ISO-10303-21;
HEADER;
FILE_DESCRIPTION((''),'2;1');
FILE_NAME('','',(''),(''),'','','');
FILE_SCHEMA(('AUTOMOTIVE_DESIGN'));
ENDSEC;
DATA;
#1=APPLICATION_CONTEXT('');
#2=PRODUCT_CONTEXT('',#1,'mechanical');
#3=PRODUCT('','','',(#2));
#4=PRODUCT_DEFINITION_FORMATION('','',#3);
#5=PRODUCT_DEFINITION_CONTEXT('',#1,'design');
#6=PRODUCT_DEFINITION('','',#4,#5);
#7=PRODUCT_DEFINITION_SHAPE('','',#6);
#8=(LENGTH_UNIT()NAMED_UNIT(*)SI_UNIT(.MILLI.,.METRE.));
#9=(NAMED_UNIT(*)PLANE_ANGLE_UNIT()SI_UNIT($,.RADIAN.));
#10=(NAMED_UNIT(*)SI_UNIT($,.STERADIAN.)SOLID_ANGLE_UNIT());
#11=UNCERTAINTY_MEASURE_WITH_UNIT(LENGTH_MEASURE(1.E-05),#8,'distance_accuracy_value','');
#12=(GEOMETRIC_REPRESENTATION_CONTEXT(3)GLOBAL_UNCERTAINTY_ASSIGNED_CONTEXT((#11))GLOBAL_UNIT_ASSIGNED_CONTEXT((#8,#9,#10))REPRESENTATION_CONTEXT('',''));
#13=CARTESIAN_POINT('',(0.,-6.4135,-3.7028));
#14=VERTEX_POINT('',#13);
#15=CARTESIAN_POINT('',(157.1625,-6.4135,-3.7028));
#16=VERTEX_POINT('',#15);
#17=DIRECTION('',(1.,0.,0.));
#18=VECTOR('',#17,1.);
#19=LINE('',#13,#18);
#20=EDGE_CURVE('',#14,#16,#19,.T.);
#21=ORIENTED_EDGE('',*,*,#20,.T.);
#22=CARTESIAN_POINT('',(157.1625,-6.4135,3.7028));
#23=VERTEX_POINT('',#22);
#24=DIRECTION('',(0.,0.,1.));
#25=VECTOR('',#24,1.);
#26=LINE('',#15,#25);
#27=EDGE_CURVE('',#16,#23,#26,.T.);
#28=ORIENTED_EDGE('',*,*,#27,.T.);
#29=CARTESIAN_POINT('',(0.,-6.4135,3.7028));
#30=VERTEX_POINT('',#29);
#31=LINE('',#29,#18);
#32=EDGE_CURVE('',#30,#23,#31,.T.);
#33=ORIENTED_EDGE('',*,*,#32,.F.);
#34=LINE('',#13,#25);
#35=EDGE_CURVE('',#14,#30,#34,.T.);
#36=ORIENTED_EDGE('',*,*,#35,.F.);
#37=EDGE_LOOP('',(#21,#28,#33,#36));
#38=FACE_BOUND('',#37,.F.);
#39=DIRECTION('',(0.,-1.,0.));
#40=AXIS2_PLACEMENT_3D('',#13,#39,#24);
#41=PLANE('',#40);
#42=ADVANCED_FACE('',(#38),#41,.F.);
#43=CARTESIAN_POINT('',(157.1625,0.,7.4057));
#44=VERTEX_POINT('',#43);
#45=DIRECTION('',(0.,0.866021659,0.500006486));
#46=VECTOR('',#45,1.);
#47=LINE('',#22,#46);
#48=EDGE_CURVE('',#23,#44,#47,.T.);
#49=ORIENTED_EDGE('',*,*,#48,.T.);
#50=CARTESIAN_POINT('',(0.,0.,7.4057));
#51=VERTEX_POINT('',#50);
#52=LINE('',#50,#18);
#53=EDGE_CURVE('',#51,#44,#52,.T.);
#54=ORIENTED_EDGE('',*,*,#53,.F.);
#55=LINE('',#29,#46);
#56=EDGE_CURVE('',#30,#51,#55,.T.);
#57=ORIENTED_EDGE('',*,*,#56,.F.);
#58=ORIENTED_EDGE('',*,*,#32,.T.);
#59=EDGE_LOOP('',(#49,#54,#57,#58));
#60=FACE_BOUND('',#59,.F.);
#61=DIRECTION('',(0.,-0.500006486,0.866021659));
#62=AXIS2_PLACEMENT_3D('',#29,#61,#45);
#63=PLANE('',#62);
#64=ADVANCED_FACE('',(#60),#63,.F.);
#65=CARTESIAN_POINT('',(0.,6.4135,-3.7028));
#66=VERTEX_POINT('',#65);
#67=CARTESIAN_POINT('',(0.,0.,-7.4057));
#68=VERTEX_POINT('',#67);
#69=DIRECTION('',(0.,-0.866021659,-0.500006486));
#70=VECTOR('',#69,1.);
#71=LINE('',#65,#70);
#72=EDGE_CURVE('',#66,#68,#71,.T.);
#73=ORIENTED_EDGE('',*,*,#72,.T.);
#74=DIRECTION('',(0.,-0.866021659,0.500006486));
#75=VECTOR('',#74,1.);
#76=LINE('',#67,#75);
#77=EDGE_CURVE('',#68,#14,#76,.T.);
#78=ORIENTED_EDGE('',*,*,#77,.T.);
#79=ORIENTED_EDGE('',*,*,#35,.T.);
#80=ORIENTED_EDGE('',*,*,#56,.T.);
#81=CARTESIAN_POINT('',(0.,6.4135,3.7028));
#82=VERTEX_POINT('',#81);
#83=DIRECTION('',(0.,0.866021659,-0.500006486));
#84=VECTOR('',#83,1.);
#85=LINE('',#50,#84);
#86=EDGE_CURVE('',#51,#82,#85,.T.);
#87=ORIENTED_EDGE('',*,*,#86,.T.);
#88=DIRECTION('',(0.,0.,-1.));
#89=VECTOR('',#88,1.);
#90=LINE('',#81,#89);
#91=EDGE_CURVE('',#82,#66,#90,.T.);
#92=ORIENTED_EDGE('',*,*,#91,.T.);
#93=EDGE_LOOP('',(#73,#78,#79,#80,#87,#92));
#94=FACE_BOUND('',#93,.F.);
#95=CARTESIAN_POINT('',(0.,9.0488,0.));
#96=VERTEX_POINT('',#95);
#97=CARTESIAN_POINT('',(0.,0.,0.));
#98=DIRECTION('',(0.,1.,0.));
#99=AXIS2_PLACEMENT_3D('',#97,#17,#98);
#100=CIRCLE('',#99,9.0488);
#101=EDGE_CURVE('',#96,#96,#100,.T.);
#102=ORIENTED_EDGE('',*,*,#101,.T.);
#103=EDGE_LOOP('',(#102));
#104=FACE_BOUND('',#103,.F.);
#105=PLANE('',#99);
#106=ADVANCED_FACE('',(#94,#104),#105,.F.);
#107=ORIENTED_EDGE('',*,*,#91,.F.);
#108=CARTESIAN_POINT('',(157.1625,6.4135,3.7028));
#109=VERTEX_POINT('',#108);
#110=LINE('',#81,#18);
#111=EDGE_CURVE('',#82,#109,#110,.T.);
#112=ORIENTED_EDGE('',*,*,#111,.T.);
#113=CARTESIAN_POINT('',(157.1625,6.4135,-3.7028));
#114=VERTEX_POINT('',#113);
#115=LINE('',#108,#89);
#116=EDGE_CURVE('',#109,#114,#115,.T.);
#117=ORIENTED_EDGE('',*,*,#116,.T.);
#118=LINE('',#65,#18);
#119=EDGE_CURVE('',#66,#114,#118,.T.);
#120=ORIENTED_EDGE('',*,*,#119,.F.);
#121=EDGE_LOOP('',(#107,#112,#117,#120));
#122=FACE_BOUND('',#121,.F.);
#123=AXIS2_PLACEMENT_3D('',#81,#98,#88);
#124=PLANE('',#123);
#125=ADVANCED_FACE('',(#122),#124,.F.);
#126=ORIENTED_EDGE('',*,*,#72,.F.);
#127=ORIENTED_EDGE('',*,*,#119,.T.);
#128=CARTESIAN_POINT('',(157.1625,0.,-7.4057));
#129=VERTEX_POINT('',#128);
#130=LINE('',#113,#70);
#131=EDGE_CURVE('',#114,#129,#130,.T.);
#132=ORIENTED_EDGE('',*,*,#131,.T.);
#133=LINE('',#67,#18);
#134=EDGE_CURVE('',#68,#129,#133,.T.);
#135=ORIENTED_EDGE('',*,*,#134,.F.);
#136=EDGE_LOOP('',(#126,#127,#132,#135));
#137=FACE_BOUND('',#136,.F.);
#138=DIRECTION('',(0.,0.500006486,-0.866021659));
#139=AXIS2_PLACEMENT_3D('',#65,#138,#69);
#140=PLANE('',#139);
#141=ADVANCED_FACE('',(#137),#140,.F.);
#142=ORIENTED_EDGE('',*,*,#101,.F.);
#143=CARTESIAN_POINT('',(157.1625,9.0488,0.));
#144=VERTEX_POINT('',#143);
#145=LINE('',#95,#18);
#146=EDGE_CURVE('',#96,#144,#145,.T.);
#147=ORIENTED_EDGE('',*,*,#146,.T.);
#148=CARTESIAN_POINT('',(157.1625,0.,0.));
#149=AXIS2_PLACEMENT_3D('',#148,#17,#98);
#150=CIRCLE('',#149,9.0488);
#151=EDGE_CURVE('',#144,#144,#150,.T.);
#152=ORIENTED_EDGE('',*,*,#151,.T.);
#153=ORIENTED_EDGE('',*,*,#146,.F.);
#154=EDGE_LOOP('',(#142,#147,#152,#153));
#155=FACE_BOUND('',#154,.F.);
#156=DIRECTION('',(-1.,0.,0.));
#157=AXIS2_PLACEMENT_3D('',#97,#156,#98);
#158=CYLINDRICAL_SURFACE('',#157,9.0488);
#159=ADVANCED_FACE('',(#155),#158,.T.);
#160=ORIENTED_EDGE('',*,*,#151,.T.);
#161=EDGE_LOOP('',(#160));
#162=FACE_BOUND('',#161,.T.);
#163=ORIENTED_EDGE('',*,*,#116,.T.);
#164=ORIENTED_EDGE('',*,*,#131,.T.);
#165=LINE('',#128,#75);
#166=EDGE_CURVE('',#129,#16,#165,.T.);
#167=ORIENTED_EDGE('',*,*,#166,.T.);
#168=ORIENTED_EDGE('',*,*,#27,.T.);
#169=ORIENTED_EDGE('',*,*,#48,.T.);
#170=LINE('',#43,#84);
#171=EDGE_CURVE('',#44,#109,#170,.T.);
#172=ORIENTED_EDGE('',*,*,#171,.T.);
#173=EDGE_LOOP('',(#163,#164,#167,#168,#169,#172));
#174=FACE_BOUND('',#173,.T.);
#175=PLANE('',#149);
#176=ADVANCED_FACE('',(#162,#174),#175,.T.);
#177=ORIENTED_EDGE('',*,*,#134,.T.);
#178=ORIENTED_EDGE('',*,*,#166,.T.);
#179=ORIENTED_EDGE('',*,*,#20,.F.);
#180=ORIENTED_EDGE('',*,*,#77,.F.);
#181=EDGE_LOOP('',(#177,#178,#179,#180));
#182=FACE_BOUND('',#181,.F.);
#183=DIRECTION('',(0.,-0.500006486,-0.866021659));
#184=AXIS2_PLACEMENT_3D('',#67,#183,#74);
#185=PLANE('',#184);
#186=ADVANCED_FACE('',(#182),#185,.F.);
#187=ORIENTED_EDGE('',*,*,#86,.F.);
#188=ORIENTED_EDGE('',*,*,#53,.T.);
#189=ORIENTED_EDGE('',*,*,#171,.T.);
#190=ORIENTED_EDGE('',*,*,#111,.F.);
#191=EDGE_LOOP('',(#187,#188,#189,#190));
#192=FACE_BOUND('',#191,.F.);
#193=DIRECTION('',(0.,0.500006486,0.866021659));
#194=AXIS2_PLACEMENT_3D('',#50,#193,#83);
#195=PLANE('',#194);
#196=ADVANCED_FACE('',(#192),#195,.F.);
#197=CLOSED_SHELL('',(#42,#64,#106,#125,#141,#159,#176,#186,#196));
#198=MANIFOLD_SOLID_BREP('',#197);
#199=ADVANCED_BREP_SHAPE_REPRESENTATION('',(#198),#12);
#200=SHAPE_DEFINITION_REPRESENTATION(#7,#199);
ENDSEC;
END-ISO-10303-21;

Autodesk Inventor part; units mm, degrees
ref_plane "YZ Plane" through (0, 0, 0) normal (1, 0, 0) x (0, 1, 0)
ref_plane "XZ Plane" through (0, 0, 0) normal (0, 1, 0) x (-1, 0, 0)
ref_plane "XY Plane" through (0, 0, 0) normal (0, 0, 1) x (1, 0, 0)
sketch "Sketch1" plane through (0, 0, 0) normal (1, 0, 0) x (0, 1, 0)
  line L0 (-6.4135, -3.7028) -> (-6.4135, 3.7028)
  line L1 (-6.4135, 3.7028) -> (0, 7.4057)
  line L2 (0, 7.4057) -> (6.4135, 3.7028)
  line L3 (6.4135, 3.7028) -> (6.4135, -3.7028)
  line L4 (6.4135, -3.7028) -> (0, -7.4057)
  line L5 (0, -7.4057) -> (-6.4135, -3.7028)
  circle A0 centre (0, 0) radius 9.0488
  dimension "d0" = 12.827
  dimension "d5" = 18.0975
extrude "Extrusion1" add sketch "Sketch1" along normal blind 157.1625
properties part number "3DPRINT,HOOD,DRIVEGEAR,SPACER" material "ABS Plastic"
